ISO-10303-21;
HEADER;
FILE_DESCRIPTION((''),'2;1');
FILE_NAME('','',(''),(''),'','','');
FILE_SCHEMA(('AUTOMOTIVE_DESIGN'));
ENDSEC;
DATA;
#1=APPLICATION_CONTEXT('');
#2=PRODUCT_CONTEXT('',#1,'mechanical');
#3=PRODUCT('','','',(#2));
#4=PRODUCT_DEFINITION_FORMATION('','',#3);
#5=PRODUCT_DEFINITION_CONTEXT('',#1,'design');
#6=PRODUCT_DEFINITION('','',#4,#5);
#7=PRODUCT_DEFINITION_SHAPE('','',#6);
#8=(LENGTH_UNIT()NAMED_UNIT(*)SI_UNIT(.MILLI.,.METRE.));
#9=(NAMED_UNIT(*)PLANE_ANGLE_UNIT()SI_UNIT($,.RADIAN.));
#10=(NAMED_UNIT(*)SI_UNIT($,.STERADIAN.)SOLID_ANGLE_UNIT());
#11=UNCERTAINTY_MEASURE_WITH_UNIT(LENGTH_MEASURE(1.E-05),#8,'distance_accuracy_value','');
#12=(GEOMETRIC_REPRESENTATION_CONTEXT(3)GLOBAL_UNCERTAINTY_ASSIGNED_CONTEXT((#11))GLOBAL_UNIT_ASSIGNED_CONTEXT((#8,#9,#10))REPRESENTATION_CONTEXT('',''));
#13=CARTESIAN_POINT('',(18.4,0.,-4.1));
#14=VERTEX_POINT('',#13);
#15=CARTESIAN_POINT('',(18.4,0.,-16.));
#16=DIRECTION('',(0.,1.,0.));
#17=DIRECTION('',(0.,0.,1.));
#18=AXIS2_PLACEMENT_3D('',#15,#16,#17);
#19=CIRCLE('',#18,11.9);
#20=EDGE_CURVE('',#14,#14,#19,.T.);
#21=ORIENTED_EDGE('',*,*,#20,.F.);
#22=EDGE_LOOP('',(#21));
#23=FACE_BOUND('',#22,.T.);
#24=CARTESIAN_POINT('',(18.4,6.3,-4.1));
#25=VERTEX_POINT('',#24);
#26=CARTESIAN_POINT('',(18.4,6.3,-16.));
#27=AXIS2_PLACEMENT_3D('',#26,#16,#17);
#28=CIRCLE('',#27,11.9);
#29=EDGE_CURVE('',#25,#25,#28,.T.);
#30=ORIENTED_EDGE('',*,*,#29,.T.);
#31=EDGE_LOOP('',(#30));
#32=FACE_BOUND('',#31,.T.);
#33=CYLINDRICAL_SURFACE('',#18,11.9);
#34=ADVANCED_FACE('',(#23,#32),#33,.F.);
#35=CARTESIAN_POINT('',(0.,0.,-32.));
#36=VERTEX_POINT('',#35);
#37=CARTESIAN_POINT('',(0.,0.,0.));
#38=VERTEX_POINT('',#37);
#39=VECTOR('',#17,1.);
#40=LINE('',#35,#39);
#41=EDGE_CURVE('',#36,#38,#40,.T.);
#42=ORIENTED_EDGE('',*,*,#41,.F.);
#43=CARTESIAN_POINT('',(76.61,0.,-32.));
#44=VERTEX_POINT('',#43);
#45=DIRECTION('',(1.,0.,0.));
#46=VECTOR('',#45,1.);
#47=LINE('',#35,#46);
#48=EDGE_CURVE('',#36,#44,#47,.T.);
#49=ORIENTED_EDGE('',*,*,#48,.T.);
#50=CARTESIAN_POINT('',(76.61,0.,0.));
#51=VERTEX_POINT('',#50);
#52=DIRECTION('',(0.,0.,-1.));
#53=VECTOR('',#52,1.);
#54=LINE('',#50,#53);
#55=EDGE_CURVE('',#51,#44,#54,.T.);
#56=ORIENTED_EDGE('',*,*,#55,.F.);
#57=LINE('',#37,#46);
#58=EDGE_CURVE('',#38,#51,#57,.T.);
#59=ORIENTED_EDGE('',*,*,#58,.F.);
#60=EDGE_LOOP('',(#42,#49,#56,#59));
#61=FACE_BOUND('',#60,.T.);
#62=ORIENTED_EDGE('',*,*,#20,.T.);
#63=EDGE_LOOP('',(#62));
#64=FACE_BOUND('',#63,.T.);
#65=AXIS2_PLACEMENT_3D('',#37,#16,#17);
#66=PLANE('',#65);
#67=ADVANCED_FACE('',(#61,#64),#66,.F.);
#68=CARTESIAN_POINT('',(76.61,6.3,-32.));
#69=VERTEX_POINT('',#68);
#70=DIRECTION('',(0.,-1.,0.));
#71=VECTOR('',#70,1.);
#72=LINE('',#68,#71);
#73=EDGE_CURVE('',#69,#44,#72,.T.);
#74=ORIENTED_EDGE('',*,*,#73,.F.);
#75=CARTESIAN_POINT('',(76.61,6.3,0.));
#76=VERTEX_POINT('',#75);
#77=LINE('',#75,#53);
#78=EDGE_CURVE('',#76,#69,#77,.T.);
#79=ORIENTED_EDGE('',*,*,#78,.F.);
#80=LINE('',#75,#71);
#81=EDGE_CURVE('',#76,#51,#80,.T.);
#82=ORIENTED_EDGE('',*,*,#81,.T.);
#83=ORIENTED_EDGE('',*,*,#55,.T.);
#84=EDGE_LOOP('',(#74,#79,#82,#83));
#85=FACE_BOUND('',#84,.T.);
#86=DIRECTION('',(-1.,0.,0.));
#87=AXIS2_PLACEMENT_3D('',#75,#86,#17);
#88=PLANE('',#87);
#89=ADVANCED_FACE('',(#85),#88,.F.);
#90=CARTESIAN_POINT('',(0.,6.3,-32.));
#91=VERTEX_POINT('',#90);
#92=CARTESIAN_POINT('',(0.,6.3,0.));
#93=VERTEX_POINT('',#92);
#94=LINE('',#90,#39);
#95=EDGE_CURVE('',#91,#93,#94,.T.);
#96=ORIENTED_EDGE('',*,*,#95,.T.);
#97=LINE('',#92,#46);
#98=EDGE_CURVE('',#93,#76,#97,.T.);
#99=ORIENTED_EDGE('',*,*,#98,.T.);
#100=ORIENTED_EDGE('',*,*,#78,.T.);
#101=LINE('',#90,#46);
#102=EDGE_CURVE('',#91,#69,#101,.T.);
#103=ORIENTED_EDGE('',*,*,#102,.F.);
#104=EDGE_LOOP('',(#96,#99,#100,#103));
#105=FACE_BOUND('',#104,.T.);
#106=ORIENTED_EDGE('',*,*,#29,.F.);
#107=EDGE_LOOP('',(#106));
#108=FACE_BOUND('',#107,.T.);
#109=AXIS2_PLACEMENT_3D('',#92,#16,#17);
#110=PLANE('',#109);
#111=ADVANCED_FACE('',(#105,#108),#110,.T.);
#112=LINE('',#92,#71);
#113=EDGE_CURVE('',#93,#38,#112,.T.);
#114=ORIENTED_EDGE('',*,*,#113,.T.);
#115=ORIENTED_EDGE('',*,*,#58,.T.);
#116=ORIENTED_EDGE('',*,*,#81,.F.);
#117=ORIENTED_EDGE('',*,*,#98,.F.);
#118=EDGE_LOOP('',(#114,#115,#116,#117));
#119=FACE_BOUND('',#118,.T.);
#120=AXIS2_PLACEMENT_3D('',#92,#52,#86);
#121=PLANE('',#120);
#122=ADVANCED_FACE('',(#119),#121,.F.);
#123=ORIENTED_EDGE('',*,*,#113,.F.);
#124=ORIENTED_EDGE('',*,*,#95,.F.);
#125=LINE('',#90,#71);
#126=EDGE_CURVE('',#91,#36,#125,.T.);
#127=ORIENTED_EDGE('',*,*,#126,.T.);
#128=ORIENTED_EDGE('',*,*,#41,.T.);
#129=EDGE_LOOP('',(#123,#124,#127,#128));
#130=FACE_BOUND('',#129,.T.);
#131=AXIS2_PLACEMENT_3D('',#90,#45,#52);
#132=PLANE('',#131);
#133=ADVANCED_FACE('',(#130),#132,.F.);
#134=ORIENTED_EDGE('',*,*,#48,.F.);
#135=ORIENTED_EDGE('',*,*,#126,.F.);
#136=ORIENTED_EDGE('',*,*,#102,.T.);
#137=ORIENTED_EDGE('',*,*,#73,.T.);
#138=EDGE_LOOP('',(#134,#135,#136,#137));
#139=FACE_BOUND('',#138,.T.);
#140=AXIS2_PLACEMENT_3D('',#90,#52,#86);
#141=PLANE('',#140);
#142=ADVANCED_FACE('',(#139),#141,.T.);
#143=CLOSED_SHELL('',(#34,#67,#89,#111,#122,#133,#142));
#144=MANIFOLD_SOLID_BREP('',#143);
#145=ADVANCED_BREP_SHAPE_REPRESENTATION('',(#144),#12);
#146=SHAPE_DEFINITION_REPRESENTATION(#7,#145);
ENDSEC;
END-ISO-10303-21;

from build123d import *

# Parameters (mm, degrees)
SKETCH1_W           = 76.61
SKETCH1_H           = 32
BOSS_EXTRUDE2_DEPTH = 6.3
SKETCH2_R           = 11.9
CUT_EXTRUDE1_DEPTH  = 6.3


with BuildPart() as part:
    # Sketch1 → Boss-Extrude2 (new body)
    with BuildSketch(Plane(origin=(0, 0, 0), x_dir=(1, 0, 0), z_dir=(0, 1, 0))):
        with Locations((38.305, 16)):
            Rectangle(SKETCH1_W, SKETCH1_H)
    extrude(amount=BOSS_EXTRUDE2_DEPTH)

    # Sketch2 → Cut-Extrude1 (cut)
    with BuildSketch(Plane(origin=(0, 6.3, 0), x_dir=(1, 0, 0), z_dir=(0, 1, 0))):
        with Locations((18.4, 16)):
            Circle(SKETCH2_R)
    extrude(amount=-CUT_EXTRUDE1_DEPTH, mode=Mode.SUBTRACT)


solid = part.part
